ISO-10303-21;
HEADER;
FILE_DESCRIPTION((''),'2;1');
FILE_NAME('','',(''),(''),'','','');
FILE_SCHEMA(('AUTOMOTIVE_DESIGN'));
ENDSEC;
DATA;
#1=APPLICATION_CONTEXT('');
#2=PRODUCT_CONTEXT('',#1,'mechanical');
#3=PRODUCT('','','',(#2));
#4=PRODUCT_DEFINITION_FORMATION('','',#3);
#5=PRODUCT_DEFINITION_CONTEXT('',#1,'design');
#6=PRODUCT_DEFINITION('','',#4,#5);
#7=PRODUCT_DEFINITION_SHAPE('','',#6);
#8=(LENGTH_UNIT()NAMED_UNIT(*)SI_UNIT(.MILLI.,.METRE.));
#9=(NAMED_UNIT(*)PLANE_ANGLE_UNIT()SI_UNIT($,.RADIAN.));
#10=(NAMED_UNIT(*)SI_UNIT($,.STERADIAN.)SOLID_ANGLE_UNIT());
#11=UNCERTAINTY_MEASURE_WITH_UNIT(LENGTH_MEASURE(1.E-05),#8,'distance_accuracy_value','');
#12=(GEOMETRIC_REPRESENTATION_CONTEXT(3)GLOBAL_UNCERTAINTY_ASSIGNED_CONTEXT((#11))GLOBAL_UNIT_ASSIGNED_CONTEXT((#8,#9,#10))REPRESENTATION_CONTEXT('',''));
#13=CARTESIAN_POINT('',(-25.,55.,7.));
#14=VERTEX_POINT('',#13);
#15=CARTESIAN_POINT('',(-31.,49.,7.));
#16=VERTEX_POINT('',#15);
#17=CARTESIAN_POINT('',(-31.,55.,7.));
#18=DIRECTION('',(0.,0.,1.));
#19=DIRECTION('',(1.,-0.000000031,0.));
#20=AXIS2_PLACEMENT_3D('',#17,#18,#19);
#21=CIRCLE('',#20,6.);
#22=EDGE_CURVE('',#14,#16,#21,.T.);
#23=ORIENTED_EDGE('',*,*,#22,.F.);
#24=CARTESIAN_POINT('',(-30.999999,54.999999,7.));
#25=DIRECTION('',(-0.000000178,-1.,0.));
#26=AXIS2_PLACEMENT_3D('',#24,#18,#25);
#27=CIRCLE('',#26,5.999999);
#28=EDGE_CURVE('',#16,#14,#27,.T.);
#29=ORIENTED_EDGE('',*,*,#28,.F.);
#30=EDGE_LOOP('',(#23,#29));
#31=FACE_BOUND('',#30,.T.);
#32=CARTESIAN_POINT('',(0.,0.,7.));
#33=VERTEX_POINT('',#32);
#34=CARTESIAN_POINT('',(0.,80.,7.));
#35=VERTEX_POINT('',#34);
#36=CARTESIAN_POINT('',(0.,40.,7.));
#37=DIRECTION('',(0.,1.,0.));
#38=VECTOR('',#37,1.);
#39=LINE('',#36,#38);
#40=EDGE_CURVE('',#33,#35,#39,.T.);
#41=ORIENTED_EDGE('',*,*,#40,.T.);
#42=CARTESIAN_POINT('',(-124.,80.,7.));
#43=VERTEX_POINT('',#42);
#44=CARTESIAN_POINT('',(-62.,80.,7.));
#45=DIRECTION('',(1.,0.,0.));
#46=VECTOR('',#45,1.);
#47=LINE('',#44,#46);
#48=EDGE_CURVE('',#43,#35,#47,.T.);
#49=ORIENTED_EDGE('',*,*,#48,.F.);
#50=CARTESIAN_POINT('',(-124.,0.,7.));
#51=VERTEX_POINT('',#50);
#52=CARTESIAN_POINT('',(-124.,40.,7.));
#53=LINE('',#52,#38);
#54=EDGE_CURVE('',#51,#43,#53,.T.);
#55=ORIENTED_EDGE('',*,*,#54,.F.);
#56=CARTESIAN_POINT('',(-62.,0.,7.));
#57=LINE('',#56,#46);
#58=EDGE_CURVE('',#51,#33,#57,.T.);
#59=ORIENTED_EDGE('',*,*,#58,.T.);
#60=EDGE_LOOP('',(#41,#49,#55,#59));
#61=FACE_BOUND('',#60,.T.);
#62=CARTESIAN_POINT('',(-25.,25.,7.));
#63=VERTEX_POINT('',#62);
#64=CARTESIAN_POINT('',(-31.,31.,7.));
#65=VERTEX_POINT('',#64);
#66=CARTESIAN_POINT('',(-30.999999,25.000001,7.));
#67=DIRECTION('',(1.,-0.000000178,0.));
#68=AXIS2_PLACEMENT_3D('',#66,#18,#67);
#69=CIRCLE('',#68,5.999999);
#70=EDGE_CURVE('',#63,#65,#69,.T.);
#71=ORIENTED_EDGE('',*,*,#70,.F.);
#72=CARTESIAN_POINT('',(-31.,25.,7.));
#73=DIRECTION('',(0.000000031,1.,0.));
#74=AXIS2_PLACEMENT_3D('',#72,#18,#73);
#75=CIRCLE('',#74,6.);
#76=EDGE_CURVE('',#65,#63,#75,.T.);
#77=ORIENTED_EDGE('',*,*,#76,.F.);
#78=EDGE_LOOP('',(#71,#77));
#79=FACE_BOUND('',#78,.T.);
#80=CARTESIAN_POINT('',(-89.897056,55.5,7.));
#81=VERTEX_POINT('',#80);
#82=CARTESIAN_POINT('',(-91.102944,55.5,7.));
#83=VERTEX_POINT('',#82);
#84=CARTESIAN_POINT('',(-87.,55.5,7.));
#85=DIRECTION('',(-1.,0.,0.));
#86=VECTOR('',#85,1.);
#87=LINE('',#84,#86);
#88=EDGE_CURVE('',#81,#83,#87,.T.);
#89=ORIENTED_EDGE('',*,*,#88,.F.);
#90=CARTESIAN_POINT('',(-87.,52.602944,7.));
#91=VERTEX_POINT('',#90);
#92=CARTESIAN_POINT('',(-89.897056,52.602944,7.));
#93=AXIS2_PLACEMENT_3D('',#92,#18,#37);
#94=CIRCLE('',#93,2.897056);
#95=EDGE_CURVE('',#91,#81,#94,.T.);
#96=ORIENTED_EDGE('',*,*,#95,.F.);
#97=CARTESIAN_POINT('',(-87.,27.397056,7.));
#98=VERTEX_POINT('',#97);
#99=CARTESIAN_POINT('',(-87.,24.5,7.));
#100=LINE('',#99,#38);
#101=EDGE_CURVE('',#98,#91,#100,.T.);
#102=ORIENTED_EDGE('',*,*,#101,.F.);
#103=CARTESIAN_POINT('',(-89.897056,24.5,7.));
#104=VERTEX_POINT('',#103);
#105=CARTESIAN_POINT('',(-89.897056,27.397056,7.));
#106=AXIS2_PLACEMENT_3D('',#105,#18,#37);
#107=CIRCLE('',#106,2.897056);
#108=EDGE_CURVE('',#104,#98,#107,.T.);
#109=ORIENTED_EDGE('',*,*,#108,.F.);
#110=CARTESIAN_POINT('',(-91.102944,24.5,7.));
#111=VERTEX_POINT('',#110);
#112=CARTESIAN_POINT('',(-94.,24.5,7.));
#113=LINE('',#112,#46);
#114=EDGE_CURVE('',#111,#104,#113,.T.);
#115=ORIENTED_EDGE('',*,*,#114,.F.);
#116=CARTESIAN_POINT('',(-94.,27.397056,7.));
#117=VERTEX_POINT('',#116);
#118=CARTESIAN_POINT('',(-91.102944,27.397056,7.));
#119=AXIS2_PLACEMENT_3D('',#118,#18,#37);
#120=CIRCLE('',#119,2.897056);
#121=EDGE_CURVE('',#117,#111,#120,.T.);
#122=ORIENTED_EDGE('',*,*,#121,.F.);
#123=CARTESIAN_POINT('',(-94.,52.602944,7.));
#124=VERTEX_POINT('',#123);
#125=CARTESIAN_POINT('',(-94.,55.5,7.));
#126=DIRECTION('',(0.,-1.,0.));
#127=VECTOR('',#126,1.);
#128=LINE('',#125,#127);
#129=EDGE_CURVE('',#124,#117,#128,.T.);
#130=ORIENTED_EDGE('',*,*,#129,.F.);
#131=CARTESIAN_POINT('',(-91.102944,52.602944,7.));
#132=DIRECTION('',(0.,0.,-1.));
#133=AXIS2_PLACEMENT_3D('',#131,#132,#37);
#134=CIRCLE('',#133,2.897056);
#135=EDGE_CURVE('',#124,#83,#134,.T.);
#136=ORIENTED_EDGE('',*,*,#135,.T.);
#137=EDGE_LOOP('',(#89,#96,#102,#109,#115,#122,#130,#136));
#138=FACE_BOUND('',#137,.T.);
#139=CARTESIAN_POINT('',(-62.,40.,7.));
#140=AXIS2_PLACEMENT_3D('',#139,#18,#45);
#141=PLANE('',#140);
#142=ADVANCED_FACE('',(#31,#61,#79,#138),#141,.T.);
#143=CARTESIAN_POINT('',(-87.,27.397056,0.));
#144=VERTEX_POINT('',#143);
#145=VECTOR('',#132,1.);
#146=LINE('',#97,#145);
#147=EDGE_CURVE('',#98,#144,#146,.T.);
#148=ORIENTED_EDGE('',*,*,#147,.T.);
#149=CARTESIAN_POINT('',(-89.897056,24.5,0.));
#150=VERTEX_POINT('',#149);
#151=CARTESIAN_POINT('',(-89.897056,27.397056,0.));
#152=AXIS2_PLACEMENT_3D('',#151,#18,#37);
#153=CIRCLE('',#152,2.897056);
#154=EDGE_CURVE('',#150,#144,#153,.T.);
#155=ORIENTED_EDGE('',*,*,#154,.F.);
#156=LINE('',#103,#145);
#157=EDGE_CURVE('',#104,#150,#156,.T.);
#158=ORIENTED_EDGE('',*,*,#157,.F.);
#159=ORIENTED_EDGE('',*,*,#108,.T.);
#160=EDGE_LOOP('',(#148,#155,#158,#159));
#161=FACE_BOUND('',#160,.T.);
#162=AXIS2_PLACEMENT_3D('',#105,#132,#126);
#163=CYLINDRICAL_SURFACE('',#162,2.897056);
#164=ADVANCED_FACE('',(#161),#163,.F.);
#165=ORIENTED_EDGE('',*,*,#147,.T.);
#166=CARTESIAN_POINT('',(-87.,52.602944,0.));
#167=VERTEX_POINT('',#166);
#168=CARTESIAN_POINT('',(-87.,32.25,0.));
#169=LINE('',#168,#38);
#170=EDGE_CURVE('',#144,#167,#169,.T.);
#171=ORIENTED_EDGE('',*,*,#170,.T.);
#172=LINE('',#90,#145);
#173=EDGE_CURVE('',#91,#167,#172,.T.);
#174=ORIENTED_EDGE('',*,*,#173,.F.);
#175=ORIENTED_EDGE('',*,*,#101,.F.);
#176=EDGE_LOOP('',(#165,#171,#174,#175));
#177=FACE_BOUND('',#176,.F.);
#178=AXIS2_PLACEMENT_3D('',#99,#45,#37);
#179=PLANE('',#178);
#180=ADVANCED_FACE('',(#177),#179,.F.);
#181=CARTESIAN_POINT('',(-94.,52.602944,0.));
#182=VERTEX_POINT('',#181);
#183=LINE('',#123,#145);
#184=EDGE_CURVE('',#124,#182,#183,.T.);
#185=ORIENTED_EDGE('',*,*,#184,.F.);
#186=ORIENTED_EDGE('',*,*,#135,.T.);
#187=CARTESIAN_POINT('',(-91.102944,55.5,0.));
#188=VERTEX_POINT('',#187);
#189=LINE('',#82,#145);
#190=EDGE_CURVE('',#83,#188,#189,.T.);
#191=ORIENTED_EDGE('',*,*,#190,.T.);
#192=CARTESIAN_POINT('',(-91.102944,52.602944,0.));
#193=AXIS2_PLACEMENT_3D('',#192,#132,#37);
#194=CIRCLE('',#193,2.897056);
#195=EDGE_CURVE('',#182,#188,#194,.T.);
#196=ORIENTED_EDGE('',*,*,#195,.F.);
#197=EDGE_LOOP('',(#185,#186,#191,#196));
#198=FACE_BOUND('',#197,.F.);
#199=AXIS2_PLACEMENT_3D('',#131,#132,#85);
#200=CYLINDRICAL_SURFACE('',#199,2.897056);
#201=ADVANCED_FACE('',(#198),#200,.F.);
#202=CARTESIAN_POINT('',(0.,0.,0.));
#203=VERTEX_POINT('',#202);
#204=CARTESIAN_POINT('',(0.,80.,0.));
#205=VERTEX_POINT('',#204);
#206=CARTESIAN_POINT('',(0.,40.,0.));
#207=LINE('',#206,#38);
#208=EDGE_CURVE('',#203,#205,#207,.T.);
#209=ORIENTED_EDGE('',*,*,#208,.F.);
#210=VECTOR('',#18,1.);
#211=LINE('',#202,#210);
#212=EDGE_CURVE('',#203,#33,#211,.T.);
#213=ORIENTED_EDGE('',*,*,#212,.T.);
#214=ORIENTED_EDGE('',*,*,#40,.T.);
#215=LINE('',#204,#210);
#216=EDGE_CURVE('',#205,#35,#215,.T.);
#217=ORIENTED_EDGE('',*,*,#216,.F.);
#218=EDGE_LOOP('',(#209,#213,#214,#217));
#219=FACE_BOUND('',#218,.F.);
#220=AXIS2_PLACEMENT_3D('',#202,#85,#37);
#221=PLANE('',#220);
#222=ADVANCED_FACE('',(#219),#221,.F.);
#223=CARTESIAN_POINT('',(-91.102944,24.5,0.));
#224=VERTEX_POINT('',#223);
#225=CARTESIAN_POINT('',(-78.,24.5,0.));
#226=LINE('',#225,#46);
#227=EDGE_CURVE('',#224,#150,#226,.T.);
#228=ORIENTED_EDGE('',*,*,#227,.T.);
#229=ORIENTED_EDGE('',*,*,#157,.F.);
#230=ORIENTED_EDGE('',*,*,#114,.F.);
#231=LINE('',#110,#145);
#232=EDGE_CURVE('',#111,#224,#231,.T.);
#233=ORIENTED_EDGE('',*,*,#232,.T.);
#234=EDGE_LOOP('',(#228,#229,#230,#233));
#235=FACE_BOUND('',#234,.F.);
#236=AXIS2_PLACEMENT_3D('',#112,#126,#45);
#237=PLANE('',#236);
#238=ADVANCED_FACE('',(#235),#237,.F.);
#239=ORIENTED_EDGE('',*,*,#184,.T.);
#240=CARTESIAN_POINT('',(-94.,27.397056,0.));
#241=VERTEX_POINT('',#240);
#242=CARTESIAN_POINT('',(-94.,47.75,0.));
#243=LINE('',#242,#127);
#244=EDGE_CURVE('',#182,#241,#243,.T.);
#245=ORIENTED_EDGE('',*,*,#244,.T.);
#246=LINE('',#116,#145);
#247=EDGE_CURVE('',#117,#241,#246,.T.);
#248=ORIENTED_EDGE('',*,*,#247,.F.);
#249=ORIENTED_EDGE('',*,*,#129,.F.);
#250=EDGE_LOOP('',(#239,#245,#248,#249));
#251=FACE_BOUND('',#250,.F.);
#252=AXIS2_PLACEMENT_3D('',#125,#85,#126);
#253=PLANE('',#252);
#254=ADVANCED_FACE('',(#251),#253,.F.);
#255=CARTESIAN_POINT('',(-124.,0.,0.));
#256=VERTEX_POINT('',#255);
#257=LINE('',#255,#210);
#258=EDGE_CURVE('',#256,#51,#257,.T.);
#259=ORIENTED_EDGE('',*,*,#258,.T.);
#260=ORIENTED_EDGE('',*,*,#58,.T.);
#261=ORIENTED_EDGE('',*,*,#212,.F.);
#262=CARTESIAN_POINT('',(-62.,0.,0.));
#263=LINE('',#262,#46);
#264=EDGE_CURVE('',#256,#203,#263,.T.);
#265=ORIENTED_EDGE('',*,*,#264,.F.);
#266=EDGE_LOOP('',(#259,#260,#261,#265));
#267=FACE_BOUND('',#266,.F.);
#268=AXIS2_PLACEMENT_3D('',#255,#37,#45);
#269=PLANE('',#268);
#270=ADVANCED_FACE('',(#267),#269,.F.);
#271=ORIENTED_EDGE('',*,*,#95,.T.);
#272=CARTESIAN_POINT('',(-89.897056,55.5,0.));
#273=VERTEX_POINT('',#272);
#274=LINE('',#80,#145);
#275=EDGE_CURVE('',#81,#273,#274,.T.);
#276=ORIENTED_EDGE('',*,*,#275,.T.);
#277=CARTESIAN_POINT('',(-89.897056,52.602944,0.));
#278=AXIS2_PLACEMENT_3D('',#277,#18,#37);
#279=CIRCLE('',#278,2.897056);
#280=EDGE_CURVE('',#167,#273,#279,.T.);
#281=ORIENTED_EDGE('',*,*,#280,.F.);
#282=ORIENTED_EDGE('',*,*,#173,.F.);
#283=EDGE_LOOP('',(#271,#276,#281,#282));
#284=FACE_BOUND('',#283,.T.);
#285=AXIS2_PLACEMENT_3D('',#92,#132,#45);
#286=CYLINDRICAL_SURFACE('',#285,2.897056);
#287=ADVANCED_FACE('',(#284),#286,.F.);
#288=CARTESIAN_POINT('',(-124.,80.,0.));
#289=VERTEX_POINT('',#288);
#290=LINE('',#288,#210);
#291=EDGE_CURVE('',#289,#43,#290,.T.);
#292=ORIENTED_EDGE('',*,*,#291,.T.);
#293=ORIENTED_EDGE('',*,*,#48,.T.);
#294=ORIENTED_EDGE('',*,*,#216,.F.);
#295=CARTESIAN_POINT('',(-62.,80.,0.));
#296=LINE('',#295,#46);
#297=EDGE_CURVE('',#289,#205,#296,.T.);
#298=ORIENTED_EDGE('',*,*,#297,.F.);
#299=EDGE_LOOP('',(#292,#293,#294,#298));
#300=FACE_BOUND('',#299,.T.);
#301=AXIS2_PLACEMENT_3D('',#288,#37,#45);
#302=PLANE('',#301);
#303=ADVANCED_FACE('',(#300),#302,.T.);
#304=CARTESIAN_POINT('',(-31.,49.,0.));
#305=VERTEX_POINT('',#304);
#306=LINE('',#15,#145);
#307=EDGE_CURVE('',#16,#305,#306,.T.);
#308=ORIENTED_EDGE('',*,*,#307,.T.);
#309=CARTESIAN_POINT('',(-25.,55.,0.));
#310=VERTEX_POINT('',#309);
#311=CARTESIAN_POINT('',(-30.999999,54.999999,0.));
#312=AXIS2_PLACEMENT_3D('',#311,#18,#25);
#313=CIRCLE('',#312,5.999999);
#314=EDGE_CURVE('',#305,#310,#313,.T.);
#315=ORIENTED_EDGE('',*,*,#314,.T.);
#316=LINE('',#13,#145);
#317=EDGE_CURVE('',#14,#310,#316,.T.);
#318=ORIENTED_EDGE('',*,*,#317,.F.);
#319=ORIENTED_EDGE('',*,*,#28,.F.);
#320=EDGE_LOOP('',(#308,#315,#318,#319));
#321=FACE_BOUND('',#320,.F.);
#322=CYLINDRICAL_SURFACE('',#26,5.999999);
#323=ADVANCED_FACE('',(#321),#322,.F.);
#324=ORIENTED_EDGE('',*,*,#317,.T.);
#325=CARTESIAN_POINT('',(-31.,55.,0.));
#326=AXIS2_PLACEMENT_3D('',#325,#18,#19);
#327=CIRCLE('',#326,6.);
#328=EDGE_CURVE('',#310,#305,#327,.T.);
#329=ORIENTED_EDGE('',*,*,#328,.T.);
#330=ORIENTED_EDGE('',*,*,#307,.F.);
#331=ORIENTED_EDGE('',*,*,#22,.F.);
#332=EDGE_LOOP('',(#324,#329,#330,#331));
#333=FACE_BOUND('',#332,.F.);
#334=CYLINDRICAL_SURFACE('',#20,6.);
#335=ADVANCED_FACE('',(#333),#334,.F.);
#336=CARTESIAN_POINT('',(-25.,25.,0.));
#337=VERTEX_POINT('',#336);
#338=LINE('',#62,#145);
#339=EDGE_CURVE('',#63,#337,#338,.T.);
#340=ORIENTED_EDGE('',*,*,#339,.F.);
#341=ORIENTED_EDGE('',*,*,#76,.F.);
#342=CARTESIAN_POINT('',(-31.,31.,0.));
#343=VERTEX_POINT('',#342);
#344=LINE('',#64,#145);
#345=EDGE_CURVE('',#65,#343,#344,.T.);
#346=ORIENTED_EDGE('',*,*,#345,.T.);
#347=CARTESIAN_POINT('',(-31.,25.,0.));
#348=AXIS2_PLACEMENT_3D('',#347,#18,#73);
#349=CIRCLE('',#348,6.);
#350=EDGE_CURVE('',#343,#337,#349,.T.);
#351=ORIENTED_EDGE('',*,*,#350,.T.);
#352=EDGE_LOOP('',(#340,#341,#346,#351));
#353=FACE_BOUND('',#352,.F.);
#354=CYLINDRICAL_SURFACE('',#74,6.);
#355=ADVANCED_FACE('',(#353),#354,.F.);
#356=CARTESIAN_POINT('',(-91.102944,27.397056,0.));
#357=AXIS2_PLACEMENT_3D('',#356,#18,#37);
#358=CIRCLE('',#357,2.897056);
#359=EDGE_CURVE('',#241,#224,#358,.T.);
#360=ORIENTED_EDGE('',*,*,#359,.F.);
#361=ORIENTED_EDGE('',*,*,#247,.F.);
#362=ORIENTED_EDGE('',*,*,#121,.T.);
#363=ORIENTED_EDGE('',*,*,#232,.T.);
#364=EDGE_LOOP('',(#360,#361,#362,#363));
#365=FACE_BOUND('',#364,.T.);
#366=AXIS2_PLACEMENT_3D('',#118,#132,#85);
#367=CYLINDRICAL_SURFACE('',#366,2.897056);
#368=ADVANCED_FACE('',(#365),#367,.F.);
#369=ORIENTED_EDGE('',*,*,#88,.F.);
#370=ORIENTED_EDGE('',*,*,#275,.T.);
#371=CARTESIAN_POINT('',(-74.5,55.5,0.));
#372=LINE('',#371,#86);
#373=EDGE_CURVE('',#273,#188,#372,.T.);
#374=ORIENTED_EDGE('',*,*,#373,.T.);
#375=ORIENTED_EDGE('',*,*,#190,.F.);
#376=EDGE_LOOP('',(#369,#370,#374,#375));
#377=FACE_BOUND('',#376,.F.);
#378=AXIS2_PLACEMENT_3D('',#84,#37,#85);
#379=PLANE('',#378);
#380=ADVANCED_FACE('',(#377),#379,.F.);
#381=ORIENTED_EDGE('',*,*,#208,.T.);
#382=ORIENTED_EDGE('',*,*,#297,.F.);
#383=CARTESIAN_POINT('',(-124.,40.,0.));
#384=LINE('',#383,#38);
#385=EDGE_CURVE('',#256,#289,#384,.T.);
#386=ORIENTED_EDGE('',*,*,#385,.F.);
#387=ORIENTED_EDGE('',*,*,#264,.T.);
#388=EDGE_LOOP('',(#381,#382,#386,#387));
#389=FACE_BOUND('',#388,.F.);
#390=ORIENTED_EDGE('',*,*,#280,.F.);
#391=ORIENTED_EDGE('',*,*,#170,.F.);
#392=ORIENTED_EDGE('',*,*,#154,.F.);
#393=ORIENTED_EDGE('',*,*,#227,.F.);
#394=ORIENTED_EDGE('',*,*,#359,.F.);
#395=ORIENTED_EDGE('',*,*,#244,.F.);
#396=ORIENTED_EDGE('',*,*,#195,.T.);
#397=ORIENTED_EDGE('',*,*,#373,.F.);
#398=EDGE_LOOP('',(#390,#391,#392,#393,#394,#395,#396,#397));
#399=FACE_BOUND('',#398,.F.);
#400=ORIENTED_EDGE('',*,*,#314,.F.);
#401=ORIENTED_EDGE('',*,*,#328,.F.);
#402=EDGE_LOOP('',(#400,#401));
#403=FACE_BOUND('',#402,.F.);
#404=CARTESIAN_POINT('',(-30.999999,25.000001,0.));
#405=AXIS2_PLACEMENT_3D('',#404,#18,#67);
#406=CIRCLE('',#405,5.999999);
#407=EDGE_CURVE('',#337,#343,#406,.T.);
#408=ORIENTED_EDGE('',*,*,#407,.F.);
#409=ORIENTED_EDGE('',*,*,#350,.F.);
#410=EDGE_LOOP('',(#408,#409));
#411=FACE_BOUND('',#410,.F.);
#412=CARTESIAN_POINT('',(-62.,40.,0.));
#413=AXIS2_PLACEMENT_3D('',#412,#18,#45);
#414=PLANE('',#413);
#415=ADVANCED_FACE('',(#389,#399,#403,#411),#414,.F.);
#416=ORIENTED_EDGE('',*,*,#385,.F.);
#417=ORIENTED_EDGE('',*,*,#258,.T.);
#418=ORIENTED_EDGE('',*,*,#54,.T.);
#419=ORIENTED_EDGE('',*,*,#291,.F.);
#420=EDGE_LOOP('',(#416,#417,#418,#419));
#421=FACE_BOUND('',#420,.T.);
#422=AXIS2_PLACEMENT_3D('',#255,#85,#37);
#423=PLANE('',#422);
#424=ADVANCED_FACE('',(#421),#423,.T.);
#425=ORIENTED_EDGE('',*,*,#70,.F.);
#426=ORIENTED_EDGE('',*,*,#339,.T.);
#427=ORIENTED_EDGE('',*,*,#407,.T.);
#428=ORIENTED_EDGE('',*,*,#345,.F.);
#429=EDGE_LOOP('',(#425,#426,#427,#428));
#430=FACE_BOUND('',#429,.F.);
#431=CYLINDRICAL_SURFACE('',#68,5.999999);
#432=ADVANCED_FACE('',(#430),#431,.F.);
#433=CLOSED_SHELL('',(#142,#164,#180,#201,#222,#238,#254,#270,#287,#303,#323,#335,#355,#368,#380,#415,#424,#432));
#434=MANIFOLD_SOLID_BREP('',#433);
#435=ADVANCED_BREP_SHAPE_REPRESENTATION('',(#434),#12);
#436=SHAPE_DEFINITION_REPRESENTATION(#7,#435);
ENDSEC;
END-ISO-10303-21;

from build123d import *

# Parameters (mm, degrees)
F0_W     = 124
F0_H     = 80
F1_DEPTH = 7
F3_DEPTH = 25
F5_DEPTH = 25
F6_R     = 2.897056


with BuildPart() as f1:
    # F0 (on Top) → F1 (new body)
    with BuildSketch(Plane.XY):
        with Locations((-62, 40)):
            Rectangle(F0_W, F0_H)
    extrude(amount=F1_DEPTH)

    # F2 (on face) → F3 (cut)
    with BuildSketch(Plane.XY.offset(7)):
        with BuildLine():
            ThreePointArc((-25, 55), (-35.242641, 59.242641), (-31, 49))
            ThreePointArc((-31, 49), (-26.757359, 50.757359), (-25, 55))
        make_face()
        with BuildLine():
            ThreePointArc((-25, 25), (-26.757359, 29.242641), (-31, 31))
            ThreePointArc((-31, 31), (-35.242641, 20.757359), (-25, 25))
        make_face()
    extrude(amount=-F3_DEPTH, mode=Mode.SUBTRACT)

    # F4 (on face) → F5 (cut)
    with BuildSketch(Plane.XY.offset(7)):
        Polygon((-94, 55.5), (-94, 40), (-94, 24.5), (-87, 24.5), (-87, 55.5), align=None)
    extrude(amount=-F5_DEPTH, mode=Mode.SUBTRACT)

    # F6
    f6_edges = [f1.edges().sort_by_distance(p)[0] for p in [
        (-87, 55.5, 3.5),
        (-94, 55.5, 3.5),
        (-87, 24.5, 3.5),
        (-94, 24.5, 3.5),
    ]]
    fillet(f6_edges, radius=F6_R)


solid = f1.part
